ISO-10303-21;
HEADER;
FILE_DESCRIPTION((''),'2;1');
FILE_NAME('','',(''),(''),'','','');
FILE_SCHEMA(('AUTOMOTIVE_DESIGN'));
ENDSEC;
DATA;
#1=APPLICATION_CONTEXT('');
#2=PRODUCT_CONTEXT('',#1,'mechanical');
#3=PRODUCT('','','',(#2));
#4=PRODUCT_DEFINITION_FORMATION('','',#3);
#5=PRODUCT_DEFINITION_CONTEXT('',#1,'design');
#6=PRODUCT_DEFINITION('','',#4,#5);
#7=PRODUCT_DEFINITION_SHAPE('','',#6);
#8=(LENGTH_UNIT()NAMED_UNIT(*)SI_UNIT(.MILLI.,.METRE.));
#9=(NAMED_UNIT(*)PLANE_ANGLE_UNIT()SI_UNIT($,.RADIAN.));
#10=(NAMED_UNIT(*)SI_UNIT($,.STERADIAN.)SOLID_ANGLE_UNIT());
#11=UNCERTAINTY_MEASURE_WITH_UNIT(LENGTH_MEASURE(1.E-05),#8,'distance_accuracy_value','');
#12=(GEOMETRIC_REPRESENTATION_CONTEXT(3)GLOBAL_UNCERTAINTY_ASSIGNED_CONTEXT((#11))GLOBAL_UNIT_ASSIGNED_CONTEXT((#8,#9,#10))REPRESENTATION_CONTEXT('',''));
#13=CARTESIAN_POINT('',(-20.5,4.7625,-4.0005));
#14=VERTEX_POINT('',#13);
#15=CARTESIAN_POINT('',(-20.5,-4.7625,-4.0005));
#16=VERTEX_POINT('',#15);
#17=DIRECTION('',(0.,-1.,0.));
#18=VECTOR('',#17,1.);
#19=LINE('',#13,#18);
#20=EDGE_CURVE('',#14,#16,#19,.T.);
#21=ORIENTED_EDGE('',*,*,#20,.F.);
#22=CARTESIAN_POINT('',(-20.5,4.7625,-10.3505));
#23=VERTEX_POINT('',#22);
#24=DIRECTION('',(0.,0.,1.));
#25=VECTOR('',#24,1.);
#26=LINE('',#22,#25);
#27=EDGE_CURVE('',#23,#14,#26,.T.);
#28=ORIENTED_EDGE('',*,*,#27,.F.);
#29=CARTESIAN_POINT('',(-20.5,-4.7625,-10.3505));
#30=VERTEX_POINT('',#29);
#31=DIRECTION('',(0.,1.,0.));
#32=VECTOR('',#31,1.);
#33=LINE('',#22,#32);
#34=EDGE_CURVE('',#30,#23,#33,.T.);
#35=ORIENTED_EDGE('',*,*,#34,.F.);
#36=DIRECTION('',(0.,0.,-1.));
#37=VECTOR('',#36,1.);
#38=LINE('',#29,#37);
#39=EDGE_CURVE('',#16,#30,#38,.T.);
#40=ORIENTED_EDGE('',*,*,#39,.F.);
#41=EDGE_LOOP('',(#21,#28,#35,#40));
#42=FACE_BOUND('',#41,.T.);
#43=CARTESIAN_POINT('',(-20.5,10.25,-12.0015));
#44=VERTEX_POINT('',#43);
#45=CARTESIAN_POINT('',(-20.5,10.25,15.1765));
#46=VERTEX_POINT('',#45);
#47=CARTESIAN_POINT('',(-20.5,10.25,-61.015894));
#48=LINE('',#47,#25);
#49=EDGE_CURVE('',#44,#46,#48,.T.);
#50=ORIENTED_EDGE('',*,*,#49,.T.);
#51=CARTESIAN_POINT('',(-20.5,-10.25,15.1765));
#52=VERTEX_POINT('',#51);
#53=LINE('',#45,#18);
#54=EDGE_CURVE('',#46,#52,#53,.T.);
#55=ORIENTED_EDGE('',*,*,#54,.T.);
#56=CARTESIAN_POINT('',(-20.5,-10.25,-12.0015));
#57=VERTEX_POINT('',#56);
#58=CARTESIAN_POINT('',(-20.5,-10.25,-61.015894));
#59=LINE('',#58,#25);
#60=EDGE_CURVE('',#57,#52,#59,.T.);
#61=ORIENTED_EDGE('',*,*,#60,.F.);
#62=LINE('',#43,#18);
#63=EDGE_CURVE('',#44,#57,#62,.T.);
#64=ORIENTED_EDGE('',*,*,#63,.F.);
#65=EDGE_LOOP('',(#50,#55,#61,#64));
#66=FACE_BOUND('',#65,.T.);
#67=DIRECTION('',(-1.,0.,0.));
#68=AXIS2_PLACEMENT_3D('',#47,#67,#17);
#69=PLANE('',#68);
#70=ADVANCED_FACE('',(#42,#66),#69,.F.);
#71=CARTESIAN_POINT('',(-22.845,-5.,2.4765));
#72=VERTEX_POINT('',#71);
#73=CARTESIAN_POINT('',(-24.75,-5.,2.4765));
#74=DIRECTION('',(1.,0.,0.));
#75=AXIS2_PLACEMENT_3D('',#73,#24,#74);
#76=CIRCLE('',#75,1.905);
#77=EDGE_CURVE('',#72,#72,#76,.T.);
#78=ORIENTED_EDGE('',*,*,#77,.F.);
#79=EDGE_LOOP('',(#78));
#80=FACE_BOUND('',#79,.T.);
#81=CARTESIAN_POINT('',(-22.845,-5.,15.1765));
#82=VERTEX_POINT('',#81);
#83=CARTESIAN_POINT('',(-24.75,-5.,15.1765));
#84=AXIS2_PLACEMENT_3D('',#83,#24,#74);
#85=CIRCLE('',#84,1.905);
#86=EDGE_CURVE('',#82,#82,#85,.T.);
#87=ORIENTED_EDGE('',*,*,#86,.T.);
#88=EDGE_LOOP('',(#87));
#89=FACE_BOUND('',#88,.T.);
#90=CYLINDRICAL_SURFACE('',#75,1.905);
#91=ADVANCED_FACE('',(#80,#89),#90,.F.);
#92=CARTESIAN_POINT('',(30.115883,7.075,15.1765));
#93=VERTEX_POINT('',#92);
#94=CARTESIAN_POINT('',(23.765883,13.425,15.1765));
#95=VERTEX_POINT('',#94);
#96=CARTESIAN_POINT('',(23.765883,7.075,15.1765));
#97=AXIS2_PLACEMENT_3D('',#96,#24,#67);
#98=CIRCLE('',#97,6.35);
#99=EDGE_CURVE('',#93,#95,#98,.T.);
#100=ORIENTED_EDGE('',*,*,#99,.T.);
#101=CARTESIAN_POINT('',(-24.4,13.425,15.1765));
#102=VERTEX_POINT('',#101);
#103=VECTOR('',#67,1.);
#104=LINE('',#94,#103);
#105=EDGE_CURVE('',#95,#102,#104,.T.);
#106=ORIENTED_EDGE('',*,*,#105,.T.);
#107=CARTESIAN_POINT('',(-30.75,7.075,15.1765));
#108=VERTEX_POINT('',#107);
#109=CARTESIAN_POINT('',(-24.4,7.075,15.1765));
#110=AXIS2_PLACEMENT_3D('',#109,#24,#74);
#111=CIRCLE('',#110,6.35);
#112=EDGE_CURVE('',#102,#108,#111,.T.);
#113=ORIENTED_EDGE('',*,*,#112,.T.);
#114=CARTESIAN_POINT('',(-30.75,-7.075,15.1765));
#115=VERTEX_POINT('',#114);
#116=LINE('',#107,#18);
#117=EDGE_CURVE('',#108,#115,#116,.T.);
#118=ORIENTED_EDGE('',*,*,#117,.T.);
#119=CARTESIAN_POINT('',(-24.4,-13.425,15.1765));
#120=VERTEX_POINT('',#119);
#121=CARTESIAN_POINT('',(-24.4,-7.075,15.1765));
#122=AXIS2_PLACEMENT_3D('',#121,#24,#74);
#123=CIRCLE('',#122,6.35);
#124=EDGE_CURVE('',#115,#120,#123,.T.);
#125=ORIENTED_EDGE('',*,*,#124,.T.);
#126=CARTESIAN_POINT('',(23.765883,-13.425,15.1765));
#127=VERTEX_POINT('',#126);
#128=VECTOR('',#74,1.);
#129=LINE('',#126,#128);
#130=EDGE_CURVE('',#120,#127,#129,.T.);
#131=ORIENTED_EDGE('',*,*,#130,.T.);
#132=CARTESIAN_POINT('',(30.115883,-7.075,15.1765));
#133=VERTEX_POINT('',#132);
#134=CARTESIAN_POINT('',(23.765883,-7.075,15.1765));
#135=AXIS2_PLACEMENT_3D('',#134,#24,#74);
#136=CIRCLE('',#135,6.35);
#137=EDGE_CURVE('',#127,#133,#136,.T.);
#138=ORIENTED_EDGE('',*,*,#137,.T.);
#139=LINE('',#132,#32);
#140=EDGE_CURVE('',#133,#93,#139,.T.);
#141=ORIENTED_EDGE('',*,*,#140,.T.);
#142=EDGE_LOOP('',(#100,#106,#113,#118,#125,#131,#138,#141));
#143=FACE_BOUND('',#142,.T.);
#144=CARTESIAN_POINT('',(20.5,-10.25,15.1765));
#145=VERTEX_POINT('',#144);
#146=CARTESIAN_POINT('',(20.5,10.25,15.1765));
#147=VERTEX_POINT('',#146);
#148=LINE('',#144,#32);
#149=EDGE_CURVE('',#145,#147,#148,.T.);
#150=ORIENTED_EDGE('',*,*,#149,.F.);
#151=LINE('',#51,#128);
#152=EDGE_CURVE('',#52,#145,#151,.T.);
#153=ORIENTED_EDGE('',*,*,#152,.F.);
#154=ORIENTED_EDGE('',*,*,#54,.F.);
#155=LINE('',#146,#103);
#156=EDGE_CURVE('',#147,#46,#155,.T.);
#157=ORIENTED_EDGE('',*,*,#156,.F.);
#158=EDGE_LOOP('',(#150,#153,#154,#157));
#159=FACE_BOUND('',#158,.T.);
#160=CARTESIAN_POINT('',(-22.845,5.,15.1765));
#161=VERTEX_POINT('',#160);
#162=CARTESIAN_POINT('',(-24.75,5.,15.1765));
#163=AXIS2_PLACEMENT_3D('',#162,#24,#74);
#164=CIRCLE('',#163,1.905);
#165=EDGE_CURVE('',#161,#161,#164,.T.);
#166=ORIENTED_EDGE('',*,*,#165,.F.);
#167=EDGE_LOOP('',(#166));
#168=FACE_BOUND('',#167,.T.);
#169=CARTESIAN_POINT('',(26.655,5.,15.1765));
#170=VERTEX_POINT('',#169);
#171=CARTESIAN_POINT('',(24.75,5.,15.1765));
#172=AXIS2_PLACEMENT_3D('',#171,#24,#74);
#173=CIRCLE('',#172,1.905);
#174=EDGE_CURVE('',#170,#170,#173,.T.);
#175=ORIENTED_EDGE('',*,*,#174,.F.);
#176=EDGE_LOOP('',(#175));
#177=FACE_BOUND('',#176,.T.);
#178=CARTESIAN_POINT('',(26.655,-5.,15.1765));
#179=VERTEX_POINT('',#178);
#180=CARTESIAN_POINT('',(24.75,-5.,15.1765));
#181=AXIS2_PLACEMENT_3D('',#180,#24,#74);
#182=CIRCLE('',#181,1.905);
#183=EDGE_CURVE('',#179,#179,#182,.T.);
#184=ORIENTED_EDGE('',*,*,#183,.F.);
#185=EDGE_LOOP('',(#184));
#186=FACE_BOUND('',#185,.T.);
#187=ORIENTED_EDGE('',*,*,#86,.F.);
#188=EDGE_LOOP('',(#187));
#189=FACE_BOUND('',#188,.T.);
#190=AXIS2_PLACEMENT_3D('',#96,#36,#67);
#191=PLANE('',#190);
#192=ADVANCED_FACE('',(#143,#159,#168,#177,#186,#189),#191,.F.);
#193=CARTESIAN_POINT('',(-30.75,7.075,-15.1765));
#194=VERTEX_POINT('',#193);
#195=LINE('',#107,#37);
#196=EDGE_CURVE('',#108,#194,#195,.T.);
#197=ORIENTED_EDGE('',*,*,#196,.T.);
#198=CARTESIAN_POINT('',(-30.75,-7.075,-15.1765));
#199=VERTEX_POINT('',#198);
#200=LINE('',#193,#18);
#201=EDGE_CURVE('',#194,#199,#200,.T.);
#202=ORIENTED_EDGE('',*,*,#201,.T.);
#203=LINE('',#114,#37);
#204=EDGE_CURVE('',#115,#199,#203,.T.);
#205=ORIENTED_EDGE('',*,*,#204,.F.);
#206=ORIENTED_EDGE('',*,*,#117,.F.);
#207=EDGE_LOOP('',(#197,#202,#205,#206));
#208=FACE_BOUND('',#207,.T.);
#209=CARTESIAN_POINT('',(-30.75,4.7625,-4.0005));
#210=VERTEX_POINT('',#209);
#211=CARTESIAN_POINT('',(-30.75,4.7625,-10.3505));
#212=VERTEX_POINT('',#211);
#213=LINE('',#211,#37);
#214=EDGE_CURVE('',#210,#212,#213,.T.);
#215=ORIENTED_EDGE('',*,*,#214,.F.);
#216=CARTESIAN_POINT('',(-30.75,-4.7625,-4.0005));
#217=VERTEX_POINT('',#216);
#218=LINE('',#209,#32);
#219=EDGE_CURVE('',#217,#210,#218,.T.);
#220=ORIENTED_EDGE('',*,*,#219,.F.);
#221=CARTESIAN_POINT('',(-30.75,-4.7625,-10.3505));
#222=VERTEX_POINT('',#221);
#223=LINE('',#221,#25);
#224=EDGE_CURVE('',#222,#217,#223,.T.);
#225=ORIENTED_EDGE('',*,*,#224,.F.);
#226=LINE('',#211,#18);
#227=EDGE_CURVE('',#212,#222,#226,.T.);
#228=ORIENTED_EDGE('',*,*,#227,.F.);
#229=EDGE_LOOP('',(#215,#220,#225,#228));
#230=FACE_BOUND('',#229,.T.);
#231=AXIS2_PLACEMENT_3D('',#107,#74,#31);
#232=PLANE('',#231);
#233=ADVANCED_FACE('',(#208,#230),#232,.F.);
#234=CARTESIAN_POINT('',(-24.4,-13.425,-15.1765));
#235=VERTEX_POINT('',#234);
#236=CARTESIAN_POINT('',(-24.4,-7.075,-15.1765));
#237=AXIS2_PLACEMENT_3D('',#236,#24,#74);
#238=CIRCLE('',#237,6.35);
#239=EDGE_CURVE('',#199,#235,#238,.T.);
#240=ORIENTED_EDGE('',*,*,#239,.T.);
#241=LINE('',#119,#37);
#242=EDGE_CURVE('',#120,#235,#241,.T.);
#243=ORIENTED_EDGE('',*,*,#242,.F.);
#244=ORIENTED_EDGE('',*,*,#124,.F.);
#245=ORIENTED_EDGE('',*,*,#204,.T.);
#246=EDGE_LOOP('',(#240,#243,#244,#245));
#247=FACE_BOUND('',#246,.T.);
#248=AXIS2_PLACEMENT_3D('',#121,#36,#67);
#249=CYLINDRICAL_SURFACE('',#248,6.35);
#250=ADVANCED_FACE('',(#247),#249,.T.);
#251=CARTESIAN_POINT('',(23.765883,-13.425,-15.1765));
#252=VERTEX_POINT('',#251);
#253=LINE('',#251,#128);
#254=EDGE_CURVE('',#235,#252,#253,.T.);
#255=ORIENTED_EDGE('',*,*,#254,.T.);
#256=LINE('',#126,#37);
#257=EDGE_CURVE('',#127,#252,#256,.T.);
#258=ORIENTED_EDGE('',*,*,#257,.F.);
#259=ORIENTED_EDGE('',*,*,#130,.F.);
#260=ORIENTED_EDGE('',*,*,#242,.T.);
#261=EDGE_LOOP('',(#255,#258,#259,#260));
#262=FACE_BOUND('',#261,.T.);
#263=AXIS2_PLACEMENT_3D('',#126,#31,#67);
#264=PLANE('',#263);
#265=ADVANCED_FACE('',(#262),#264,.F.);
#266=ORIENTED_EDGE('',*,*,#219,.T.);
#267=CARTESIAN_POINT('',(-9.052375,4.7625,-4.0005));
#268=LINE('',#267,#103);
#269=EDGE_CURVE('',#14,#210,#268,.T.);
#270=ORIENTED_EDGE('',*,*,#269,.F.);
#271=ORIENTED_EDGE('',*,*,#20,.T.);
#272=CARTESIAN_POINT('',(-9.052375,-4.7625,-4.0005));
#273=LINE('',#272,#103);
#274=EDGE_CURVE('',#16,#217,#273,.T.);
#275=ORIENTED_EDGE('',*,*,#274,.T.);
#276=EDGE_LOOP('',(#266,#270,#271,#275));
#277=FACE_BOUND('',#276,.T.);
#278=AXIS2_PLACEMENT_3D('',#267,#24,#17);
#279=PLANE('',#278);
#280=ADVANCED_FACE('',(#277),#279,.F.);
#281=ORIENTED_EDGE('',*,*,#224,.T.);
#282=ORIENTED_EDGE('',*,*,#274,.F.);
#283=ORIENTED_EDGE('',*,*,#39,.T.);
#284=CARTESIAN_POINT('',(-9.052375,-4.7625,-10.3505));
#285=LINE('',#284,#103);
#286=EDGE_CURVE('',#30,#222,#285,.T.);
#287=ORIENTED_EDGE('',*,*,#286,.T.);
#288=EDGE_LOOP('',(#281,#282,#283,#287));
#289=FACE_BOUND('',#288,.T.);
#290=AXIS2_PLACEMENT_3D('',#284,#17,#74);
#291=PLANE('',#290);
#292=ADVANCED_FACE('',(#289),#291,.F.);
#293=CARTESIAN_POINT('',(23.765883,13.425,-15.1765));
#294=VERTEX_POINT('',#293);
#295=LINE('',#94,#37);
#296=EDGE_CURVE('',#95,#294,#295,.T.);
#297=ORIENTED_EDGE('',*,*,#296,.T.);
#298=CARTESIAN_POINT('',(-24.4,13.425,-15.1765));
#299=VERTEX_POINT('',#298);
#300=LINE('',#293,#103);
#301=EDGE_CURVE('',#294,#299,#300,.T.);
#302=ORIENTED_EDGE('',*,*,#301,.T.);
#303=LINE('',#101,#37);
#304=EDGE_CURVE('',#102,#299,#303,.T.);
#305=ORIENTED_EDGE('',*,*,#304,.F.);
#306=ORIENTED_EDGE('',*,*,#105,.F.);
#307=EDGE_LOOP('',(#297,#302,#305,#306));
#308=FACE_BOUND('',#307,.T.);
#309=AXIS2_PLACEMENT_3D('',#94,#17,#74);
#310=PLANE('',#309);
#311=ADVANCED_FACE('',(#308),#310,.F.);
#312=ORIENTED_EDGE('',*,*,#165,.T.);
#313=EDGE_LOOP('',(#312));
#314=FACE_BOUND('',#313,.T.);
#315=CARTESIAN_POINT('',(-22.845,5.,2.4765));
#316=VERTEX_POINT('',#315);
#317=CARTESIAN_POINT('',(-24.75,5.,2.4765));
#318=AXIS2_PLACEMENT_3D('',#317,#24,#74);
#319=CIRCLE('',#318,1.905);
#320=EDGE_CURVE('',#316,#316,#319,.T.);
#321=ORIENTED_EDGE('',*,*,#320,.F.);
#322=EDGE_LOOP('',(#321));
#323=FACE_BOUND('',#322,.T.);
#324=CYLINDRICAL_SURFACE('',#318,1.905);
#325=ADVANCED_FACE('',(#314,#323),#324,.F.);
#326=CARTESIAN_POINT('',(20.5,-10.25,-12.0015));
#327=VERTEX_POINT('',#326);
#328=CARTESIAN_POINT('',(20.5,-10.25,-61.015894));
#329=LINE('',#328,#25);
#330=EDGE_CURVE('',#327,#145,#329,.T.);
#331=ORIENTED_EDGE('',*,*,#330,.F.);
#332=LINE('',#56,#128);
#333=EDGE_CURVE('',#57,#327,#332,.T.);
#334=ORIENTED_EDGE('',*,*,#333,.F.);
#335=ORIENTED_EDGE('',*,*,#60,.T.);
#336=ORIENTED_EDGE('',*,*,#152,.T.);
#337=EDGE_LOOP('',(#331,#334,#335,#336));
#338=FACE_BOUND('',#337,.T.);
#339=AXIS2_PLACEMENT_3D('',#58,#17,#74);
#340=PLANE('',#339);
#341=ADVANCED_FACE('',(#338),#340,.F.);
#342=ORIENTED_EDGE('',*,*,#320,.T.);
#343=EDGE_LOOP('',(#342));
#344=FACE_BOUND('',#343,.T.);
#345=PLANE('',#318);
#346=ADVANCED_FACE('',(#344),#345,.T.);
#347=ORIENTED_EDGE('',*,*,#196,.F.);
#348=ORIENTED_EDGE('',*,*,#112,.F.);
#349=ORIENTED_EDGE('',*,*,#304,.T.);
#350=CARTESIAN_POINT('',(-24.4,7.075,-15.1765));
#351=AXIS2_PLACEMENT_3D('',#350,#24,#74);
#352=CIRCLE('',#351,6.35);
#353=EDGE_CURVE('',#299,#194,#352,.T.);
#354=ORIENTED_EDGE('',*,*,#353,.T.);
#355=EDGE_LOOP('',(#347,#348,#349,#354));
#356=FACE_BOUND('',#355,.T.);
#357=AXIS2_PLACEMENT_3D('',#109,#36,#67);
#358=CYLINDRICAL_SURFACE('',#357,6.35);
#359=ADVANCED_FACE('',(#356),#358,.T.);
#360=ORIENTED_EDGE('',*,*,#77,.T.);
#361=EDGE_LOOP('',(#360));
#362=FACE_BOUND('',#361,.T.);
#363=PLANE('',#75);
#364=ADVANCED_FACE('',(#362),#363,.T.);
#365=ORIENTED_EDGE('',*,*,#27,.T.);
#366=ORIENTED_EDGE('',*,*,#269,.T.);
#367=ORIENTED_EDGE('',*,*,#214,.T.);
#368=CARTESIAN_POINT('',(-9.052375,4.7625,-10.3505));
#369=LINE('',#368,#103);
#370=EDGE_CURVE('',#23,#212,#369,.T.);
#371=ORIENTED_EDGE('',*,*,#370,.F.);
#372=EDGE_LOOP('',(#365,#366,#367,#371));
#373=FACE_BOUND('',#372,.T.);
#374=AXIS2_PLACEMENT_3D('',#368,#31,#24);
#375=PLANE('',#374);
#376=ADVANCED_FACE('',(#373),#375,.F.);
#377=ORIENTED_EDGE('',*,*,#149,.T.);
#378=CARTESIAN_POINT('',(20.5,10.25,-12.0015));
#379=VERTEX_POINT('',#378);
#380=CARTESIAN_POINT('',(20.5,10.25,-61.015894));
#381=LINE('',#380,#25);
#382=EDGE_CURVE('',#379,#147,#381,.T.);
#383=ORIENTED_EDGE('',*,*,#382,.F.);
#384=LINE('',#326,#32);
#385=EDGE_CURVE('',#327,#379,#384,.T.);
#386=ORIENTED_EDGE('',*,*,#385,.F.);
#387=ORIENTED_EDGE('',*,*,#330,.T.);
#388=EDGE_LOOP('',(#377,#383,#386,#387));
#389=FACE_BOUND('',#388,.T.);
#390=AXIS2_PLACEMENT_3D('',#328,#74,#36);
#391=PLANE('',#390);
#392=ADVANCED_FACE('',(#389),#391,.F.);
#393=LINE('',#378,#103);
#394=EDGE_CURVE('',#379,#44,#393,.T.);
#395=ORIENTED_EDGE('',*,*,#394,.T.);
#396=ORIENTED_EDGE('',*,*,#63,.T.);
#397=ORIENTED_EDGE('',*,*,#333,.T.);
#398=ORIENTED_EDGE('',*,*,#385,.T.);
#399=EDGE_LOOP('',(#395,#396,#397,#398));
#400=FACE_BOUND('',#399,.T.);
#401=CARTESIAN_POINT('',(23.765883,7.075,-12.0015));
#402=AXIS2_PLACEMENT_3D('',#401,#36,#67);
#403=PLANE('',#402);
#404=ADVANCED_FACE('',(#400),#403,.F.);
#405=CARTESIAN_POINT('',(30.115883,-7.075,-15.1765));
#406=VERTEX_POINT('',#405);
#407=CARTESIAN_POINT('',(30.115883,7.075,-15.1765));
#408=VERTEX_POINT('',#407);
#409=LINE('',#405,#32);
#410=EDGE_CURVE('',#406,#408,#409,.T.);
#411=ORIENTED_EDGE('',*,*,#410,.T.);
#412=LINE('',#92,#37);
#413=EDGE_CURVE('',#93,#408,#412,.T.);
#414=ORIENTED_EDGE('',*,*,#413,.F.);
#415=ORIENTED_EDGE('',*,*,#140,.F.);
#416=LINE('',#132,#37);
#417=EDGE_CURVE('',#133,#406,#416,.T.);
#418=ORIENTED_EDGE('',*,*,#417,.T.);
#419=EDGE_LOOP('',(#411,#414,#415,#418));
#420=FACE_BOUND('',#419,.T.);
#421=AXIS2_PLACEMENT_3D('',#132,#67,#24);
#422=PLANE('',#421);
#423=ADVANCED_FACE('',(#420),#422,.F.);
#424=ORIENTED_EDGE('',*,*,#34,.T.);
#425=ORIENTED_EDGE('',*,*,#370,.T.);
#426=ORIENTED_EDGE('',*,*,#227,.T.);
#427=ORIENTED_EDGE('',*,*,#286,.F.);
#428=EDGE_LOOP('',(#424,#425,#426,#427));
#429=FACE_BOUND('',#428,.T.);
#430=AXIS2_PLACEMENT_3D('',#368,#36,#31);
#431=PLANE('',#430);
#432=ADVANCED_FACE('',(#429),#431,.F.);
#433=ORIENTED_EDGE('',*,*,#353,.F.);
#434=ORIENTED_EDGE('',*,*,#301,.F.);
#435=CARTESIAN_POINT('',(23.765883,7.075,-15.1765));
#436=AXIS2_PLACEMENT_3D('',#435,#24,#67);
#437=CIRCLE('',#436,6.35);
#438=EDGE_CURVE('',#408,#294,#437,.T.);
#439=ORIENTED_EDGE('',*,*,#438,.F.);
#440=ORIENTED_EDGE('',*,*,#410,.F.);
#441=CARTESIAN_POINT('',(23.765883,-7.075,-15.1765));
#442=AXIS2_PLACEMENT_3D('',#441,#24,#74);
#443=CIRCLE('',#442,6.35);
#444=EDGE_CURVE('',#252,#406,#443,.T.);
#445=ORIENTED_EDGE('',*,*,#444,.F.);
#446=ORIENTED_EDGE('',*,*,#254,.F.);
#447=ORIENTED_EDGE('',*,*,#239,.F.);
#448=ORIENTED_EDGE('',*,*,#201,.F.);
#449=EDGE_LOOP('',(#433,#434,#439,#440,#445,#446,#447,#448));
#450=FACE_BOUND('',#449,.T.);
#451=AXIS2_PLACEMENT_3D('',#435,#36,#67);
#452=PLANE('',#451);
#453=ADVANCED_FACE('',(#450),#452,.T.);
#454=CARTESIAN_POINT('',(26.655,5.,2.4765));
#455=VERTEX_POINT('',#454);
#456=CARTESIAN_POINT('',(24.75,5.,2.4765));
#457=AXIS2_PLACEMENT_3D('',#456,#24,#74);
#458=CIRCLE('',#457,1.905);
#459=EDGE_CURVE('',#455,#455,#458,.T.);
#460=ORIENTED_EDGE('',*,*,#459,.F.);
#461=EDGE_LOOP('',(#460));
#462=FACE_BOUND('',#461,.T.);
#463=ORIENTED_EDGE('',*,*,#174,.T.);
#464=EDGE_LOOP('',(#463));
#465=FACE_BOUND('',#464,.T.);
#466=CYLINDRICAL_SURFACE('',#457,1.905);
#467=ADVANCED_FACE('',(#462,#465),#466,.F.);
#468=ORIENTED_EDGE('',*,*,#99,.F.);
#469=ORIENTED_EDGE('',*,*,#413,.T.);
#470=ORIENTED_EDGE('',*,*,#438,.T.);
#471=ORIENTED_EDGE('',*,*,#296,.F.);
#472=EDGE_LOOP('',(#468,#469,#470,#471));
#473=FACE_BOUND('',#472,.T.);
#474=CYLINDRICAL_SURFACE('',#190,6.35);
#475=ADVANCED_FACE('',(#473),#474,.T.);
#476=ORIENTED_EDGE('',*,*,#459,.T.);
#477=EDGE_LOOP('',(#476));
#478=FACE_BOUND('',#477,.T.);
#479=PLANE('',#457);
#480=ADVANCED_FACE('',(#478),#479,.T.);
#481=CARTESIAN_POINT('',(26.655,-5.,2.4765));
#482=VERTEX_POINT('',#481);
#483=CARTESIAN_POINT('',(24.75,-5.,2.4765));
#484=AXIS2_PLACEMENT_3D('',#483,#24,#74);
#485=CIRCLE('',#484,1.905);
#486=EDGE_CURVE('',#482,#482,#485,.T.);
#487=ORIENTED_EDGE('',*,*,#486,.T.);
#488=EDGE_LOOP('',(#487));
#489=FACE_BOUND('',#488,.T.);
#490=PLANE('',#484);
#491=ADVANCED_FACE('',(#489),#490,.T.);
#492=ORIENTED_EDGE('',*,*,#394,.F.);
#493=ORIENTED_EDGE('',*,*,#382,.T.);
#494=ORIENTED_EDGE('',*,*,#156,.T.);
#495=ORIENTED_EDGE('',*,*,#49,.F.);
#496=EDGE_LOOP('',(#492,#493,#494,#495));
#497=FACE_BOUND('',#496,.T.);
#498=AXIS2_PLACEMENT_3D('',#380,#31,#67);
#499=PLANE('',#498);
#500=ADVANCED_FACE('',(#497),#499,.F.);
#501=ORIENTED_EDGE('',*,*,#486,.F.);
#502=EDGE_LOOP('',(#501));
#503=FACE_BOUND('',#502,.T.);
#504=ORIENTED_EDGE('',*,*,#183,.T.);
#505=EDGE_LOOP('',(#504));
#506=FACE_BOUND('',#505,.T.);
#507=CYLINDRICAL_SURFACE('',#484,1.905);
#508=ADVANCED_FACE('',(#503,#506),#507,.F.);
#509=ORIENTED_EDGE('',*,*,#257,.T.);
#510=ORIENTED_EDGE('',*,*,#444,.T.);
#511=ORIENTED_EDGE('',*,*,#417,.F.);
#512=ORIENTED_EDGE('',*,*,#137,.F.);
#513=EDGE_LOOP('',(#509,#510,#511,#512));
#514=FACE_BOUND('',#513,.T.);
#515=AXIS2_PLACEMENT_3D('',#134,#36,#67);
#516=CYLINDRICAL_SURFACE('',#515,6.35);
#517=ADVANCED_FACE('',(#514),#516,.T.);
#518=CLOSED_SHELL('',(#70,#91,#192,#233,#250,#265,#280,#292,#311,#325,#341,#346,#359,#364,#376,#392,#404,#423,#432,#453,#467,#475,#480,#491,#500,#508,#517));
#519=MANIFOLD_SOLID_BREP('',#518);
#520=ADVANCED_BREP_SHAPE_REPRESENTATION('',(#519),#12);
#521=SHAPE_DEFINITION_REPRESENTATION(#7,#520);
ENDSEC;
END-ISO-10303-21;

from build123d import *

# Parameters (mm, degrees)
BOSS_EXTRUDE1_DEPTH = 15.1765
SKETCH3_W           = 41
SKETCH3_H           = 20.5
CUT_EXTRUDE1_DEPTH  = 27.178
SKETCH4_R           = 1.905
CUT_EXTRUDE2_DEPTH  = 12.7
SKETCH5_W           = 6.35
SKETCH5_H           = 9.525
CUT_EXTRUDE3_DEPTH  = 10.25


with BuildPart() as part:
    # Sketch2 → Boss-Extrude1 (new, symmetric)
    with BuildSketch(Plane.XY):
        with BuildLine():
            Line((23.765883374, 13.425), (-24.4, 13.425))
            ThreePointArc((-24.4, 13.425), (-28.890128061, 11.565128061), (-30.75, 7.075))
            Line((-30.75, 7.075), (-30.75, -7.075))
            ThreePointArc((-30.75, -7.075), (-28.890128061, -11.565128061), (-24.4, -13.425))
            Line((-24.4, -13.425), (23.765883374, -13.425))
            ThreePointArc((23.765883374, -13.425), (28.256011435, -11.565128061), (30.115883374, -7.075))
            Line((30.115883374, -7.075), (30.115883374, 7.075))
            ThreePointArc((30.115883374, 7.075), (28.256011435, 11.565128061), (23.765883374, 13.425))
        make_face()
    extrude(amount=BOSS_EXTRUDE1_DEPTH, both=True)

    # Sketch3 → Cut-Extrude1 (cut)
    with BuildSketch(Plane.XY.offset(15.1765)):
        Rectangle(SKETCH3_W, SKETCH3_H)
    extrude(amount=-CUT_EXTRUDE1_DEPTH, mode=Mode.SUBTRACT)

    # Sketch4 → Cut-Extrude2 (cut)
    with BuildSketch(Plane.XY.offset(15.1765)):
        with Locations((-24.75, 5)):
            Circle(SKETCH4_R)
        with Locations((-24.75, -5)):
            Circle(SKETCH4_R)
        with Locations((24.75, -5)):
            Circle(SKETCH4_R)
        with Locations((24.75, 5)):
            Circle(SKETCH4_R)
    extrude(amount=-CUT_EXTRUDE2_DEPTH, mode=Mode.SUBTRACT)

    # Sketch5 → Cut-Extrude3 (cut)
    with BuildSketch(Plane.ZY.offset(30.75)):
        with Locations((-7.1755, 0)):
            Rectangle(SKETCH5_W, SKETCH5_H)
    extrude(amount=-CUT_EXTRUDE3_DEPTH, mode=Mode.SUBTRACT)


solid = part.part
